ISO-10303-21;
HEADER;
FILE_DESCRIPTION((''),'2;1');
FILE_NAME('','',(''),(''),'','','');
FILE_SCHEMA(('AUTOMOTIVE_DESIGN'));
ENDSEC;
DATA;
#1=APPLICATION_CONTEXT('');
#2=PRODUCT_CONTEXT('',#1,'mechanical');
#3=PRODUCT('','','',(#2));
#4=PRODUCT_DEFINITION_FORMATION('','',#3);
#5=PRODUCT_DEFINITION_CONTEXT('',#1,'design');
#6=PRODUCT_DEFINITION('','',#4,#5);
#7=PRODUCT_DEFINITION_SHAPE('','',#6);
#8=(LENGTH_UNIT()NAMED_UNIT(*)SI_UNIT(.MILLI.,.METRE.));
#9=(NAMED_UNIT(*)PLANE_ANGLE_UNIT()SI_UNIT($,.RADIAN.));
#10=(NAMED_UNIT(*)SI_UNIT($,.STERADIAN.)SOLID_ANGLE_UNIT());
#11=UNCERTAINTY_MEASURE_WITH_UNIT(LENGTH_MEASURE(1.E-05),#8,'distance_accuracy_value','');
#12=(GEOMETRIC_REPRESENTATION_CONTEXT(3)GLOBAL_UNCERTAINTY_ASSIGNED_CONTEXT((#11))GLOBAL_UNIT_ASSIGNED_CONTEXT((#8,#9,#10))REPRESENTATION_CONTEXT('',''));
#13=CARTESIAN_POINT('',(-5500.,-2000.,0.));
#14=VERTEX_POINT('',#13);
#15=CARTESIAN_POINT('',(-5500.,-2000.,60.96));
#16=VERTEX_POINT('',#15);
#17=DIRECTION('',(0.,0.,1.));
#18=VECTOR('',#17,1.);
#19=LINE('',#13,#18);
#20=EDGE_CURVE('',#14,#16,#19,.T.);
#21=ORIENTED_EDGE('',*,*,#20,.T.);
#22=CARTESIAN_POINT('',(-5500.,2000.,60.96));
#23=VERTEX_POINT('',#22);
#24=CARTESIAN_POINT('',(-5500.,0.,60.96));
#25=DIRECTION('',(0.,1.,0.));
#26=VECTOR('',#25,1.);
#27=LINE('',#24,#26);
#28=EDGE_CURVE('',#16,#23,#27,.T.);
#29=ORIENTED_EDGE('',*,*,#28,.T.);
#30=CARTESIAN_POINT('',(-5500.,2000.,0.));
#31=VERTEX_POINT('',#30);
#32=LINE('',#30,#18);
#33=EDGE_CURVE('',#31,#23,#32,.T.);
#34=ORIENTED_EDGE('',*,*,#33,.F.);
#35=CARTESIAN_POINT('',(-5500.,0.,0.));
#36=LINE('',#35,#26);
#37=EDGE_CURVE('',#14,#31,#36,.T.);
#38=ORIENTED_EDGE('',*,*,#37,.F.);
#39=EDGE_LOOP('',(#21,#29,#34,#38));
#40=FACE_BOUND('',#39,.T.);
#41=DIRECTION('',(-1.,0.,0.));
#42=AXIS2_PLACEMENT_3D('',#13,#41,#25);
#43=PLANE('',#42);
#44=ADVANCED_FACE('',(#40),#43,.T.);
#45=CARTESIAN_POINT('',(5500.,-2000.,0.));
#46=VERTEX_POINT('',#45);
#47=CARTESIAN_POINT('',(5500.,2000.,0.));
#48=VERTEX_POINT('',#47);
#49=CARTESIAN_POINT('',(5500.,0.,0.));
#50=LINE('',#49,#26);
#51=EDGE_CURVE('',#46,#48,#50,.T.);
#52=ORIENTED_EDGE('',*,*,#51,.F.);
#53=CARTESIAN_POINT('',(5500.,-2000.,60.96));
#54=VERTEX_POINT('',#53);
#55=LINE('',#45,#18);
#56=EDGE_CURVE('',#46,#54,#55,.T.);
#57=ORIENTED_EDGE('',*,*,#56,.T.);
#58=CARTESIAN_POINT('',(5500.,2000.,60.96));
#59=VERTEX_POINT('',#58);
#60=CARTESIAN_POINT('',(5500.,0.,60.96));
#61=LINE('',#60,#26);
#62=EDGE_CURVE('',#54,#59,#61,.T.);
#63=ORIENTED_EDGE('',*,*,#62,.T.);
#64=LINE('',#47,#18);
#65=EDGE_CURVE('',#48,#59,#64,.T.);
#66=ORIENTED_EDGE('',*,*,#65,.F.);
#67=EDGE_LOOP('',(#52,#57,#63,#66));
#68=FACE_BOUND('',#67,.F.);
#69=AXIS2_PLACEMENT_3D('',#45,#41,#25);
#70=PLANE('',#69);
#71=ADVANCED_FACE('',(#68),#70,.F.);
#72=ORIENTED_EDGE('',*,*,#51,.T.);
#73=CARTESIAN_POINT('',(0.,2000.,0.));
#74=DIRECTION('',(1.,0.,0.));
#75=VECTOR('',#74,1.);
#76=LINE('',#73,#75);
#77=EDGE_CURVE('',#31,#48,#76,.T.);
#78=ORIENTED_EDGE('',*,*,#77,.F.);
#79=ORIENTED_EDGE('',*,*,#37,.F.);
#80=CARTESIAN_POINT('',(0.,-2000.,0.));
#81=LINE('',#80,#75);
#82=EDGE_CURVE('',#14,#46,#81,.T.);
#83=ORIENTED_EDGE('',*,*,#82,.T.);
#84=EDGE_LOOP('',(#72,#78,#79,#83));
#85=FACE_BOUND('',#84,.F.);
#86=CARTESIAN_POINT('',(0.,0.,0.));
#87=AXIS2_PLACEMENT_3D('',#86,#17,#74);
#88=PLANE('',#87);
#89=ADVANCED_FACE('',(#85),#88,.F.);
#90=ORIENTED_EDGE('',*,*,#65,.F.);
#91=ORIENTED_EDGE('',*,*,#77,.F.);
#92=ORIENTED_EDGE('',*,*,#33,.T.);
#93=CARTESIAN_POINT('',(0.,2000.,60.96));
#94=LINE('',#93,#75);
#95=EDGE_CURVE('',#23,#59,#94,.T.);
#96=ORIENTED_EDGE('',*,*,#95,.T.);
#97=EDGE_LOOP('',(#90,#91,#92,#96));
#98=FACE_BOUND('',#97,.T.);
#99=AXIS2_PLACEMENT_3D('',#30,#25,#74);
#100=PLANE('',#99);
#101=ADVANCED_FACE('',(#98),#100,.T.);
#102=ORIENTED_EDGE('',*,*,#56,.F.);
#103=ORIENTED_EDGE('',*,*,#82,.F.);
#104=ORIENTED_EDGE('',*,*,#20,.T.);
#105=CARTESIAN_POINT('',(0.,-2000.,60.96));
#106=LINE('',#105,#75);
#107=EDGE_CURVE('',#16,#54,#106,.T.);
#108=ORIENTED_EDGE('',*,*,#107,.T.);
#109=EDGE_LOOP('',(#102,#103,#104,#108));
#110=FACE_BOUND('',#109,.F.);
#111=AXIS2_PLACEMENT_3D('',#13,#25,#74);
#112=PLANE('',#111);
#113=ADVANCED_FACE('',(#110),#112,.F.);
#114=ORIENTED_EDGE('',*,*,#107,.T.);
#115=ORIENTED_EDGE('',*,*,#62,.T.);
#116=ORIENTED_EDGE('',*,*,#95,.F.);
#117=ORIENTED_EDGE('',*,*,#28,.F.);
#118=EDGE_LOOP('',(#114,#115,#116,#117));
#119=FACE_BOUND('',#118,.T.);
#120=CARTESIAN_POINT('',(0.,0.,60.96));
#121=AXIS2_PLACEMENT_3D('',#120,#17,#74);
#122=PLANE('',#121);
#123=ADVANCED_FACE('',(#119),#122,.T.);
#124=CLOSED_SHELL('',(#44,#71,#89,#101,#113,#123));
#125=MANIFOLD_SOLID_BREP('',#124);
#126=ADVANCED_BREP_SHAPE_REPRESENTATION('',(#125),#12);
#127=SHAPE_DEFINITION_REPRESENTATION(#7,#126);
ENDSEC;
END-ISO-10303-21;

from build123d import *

# Parameters (mm, degrees)
F0_W     = 11000
F0_H     = 4000
F1_DEPTH = 60.96
F2_W     = 4000
F2_H     = 1955.003793
F3_DEPTH = 30.48


with BuildPart() as f1:
    # F0 (on Top) → F1 (new body)
    with BuildSketch(Plane.XY):
        Rectangle(F0_W, F0_H)
    extrude(amount=F1_DEPTH)


with BuildPart() as f3:
    # F2 (on face) → F3 (new body)
    with BuildSketch(Plane.YZ.offset(5500)):
        with Locations((0, 1038.461896)):
            Rectangle(F2_W, F2_H)
    extrude(amount=F3_DEPTH)


solid = f1.part
